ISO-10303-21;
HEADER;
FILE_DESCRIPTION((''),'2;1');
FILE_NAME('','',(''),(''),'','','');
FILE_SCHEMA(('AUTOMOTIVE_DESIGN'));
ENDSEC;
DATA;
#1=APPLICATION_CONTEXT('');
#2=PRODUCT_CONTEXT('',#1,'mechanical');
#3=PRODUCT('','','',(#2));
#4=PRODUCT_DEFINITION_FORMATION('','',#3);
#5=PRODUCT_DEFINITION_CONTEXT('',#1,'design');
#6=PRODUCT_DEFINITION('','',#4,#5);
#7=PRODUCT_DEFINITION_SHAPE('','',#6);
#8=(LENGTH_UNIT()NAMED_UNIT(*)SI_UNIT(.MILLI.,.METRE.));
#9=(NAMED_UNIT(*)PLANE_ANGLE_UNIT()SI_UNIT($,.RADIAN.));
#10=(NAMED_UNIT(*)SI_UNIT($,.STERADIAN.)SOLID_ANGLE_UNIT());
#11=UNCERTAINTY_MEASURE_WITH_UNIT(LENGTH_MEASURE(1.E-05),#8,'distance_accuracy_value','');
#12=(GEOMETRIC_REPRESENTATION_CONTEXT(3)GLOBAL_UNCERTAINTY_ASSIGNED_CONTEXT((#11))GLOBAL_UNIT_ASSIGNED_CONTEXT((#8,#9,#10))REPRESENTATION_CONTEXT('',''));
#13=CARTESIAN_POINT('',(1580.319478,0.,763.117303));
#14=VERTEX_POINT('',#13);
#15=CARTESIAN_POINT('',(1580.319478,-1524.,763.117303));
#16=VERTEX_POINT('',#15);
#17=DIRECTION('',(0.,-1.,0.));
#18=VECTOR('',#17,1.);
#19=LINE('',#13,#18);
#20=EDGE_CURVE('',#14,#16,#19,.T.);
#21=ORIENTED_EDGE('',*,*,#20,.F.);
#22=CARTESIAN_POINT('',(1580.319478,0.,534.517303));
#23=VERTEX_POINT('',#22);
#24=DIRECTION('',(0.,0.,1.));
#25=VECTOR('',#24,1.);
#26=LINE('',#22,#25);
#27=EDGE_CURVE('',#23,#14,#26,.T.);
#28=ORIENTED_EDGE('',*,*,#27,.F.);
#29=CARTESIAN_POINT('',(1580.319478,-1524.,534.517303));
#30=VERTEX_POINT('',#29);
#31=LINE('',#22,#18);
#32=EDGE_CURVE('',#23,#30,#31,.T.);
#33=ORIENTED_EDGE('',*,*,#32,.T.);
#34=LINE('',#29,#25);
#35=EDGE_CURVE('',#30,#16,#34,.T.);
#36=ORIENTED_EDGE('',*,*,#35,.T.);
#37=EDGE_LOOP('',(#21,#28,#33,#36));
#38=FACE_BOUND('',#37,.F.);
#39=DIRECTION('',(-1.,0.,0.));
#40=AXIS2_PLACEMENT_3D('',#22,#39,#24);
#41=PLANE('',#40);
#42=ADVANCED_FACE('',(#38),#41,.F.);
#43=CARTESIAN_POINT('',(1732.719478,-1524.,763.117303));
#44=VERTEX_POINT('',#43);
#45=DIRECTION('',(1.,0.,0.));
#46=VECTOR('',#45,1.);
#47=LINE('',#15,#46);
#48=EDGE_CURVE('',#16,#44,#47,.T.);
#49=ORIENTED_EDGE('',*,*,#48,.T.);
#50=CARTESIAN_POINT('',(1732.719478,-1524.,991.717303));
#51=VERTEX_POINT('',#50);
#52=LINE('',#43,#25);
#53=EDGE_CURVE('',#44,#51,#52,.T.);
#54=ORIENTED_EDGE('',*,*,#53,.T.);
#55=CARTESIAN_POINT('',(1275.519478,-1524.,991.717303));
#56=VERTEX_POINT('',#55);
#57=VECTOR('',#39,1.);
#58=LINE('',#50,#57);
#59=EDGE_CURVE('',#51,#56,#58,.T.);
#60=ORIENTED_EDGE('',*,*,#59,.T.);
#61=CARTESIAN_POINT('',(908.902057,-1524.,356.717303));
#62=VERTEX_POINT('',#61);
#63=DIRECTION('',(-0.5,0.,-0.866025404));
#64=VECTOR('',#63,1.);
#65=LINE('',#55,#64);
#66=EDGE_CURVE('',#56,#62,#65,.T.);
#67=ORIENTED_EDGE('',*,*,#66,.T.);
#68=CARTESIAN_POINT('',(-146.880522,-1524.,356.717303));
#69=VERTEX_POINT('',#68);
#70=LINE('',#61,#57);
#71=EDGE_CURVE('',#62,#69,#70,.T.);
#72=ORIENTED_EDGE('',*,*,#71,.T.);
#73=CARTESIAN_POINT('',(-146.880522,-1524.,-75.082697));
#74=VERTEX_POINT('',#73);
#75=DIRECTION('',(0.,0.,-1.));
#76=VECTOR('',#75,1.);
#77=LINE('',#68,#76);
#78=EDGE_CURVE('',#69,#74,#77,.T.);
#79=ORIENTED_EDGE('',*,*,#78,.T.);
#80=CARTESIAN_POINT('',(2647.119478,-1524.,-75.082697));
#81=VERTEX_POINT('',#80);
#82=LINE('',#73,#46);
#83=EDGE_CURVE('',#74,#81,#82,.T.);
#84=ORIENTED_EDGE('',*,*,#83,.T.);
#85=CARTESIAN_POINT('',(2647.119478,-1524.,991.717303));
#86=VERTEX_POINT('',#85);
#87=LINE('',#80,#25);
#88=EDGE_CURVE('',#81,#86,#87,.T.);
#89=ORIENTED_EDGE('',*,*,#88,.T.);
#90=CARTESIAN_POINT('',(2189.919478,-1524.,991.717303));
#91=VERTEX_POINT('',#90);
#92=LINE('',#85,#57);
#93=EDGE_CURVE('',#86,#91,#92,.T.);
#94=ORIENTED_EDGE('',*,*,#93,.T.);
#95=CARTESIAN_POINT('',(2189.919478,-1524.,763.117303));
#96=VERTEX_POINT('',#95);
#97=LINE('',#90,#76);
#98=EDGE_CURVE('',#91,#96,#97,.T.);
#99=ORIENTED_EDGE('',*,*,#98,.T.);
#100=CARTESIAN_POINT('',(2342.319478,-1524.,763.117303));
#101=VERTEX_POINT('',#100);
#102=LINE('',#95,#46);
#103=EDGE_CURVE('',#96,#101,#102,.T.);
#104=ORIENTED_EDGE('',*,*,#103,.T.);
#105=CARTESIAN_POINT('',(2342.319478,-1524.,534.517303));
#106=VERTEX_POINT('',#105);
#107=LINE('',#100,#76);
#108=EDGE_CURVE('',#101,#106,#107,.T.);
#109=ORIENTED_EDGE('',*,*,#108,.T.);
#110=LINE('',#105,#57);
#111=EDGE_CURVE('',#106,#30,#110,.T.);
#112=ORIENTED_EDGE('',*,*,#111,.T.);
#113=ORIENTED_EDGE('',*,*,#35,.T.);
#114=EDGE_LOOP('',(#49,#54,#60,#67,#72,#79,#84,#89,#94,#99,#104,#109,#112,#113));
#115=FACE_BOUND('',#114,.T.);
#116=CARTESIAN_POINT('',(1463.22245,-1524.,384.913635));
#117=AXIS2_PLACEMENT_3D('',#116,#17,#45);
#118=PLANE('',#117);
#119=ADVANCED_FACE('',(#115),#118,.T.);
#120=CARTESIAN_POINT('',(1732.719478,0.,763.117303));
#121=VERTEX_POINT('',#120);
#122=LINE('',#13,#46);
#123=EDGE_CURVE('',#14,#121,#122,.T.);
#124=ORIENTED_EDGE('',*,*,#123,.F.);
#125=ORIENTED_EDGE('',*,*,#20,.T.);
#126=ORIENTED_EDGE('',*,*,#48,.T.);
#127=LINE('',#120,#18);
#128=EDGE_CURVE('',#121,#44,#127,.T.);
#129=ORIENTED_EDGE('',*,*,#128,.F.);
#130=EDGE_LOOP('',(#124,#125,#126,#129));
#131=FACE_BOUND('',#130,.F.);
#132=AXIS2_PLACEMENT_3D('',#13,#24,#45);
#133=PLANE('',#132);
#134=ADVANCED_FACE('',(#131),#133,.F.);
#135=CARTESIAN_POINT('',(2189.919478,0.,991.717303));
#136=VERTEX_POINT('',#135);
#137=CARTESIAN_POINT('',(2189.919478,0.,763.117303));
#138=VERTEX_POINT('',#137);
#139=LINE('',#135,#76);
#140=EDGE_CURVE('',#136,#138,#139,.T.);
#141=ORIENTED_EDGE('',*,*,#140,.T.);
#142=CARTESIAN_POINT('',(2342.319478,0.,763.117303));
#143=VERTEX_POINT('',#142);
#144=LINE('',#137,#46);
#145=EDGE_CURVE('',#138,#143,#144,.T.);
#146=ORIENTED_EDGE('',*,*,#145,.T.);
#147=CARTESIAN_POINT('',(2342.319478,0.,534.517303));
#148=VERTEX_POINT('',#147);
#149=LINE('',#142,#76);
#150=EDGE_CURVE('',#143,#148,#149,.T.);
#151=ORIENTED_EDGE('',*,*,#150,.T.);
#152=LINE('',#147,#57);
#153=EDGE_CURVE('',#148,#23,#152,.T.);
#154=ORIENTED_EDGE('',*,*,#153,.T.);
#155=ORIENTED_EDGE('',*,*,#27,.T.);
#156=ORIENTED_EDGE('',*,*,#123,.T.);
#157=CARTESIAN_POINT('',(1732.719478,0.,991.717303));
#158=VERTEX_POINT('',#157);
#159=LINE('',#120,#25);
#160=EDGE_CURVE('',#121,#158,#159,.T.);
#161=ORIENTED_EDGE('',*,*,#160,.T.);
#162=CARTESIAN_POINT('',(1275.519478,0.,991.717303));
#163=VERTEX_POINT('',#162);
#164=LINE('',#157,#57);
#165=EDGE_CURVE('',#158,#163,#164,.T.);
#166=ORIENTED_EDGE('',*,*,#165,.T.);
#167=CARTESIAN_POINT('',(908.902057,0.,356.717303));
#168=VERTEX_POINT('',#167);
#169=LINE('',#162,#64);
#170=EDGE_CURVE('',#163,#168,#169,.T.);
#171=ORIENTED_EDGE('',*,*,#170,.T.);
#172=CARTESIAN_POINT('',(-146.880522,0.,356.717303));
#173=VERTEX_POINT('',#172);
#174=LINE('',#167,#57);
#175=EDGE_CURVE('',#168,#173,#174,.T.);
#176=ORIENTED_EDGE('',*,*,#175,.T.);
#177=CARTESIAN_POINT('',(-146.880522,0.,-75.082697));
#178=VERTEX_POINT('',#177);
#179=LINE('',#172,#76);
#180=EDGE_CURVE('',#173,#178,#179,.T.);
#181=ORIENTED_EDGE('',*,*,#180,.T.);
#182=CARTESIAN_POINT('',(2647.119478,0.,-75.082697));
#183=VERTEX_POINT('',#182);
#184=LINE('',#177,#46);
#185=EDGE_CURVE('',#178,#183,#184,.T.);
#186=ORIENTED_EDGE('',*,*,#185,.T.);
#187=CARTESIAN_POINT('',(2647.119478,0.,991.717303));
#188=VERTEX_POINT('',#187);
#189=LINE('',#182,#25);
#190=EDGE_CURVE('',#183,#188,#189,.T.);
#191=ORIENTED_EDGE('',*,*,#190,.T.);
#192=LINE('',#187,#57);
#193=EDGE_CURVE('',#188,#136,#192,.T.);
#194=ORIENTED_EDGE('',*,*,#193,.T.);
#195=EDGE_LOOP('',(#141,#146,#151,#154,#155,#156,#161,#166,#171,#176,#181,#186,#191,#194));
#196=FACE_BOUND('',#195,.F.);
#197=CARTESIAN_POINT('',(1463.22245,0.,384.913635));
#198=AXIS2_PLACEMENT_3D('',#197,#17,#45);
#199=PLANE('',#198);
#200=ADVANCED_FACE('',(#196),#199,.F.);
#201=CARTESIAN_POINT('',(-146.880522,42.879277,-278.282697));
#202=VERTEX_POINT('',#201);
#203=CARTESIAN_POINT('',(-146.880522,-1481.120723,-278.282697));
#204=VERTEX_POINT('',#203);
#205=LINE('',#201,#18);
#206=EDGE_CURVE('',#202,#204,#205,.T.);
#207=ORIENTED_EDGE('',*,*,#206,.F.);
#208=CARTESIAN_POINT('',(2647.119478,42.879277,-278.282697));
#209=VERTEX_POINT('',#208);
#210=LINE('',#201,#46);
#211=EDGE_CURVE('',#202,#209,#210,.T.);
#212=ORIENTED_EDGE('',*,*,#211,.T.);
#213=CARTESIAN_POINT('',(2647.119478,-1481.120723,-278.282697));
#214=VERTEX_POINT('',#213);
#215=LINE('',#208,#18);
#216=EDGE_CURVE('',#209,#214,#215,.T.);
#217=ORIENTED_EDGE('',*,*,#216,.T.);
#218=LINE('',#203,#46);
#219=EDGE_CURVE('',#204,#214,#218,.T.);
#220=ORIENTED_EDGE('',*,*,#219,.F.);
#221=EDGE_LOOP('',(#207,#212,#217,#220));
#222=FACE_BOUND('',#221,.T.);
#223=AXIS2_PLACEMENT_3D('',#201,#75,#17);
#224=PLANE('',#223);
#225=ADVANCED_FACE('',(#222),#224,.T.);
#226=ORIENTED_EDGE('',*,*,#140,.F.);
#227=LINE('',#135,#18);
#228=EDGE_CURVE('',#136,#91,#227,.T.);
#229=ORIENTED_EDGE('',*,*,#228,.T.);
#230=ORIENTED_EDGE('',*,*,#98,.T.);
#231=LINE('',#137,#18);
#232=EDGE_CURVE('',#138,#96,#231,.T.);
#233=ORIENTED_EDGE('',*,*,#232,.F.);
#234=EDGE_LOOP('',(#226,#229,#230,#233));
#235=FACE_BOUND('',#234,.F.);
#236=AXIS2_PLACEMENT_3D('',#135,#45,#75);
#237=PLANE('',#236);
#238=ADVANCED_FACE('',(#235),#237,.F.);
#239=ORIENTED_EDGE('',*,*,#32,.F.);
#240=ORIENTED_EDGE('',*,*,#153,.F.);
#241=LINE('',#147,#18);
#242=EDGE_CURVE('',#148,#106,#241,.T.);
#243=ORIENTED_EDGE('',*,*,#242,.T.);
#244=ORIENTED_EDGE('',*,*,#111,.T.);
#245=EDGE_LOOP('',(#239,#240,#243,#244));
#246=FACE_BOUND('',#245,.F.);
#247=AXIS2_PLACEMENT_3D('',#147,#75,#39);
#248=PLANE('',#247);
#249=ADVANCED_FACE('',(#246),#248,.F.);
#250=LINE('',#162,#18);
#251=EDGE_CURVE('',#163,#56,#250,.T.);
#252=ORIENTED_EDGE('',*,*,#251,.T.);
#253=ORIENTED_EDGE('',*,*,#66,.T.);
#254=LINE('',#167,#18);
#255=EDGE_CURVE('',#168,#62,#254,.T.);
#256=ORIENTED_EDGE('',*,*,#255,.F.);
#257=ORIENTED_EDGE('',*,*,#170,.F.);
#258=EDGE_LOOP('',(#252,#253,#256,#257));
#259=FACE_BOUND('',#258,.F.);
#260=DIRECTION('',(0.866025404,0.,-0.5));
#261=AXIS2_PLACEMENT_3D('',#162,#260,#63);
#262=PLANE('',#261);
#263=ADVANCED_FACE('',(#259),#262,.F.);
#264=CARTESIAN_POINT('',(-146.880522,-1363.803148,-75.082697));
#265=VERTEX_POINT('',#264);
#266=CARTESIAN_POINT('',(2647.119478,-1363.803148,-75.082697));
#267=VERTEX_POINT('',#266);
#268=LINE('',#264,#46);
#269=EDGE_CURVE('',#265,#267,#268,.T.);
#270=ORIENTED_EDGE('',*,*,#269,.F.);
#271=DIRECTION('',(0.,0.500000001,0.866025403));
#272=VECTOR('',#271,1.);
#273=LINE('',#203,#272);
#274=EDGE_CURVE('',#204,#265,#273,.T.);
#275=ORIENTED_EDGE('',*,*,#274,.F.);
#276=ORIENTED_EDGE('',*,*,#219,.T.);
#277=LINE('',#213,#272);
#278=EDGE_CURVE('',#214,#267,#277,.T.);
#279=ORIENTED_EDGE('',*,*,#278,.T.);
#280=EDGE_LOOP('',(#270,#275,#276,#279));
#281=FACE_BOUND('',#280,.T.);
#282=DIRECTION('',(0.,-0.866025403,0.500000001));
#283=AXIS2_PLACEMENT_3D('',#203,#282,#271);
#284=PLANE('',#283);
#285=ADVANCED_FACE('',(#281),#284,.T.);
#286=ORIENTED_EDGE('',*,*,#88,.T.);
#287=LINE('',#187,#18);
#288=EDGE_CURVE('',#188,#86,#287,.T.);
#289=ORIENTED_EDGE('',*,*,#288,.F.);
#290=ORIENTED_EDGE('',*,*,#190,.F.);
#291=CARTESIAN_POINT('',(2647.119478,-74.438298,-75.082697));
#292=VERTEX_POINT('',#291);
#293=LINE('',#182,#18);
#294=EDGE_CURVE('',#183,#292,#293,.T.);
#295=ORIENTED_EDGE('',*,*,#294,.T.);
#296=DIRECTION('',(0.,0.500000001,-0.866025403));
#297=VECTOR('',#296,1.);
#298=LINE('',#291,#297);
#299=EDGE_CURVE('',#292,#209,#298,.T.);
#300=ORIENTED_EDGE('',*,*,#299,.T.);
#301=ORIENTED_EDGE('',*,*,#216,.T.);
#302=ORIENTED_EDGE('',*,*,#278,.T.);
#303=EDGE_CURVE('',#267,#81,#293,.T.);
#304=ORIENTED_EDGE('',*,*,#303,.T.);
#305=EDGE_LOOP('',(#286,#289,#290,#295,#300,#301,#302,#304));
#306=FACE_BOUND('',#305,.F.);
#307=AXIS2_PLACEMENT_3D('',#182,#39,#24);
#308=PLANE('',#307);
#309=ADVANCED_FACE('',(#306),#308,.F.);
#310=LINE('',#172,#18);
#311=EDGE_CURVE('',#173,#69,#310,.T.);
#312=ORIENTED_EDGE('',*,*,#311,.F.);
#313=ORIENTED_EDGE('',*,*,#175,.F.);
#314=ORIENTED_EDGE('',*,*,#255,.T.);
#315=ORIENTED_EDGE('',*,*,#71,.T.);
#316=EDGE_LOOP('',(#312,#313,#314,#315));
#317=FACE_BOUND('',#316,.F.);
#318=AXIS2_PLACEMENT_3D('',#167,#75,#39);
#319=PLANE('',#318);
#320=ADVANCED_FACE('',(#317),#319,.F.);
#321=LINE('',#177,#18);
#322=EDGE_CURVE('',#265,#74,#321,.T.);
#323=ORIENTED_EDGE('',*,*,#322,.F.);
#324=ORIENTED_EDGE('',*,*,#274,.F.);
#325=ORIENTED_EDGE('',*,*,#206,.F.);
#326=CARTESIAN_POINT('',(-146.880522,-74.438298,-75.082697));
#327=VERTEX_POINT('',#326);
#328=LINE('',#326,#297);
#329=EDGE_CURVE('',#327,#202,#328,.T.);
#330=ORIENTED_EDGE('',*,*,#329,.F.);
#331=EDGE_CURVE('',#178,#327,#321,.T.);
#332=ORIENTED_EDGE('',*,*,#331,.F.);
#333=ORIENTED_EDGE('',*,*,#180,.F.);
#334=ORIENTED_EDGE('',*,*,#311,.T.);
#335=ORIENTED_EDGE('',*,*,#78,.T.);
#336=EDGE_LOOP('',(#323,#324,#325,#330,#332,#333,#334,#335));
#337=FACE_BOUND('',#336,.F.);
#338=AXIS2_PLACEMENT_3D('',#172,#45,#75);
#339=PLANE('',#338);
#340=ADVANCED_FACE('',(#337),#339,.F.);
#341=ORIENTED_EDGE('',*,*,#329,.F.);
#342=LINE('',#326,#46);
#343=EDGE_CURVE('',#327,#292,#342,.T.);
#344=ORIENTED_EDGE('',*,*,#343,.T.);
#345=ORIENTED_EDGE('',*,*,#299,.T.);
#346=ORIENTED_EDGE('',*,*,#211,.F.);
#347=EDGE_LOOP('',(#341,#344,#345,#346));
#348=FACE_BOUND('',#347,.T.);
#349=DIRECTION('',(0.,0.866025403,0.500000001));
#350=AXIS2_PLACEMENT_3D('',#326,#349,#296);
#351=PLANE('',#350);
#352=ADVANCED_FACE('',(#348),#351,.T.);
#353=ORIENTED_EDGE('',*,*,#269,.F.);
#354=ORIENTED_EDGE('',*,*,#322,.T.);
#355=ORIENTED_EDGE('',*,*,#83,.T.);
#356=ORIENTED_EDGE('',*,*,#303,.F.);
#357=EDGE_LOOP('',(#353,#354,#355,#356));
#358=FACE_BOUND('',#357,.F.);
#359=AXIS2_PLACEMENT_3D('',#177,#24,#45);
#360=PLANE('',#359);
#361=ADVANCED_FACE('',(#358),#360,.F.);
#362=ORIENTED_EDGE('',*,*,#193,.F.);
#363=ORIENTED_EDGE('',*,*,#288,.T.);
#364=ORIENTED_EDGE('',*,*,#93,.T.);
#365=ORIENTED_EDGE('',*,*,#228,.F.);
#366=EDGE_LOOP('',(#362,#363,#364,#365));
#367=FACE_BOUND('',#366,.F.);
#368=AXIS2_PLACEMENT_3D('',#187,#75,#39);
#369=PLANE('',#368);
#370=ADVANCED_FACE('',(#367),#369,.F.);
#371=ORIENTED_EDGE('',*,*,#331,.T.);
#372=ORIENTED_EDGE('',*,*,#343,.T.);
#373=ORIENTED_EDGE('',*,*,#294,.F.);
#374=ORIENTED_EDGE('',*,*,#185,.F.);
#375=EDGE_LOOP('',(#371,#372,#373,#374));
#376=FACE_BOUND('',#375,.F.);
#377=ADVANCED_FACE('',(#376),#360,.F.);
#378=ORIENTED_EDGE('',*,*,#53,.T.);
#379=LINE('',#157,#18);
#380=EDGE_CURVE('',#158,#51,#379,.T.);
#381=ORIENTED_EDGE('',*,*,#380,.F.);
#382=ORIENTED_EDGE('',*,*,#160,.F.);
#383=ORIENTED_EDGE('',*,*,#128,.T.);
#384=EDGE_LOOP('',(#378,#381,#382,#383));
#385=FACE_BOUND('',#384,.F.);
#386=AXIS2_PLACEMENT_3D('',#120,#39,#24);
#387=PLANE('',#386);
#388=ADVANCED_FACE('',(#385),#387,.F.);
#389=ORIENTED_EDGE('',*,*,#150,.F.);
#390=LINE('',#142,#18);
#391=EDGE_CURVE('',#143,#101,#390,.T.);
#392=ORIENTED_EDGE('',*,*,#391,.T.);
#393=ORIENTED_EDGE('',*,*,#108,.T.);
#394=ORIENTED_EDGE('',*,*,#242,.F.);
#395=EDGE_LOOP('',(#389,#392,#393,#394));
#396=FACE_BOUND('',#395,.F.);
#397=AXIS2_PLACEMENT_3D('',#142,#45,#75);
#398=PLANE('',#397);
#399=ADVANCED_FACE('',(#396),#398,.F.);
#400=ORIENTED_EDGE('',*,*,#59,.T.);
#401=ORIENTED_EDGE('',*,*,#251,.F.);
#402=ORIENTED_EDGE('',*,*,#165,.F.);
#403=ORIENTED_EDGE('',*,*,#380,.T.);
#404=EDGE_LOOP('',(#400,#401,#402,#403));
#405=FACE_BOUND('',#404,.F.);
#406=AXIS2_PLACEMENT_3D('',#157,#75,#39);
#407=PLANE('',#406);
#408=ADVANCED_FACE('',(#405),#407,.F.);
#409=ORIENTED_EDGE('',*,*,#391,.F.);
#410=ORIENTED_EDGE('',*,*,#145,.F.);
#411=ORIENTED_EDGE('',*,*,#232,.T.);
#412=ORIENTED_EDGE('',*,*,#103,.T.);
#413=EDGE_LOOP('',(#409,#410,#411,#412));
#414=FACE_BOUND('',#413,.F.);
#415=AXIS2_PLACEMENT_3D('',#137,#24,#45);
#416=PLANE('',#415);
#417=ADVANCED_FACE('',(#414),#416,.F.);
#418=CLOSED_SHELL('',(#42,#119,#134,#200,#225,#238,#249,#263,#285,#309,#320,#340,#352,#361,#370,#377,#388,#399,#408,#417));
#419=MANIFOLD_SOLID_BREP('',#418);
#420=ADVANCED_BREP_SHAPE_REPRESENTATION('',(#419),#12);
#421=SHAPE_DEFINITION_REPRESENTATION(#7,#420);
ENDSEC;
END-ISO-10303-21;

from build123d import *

# Parameters (mm, degrees)
F1_DEPTH = 1524
F3_DEPTH = 2794


with BuildPart() as f1:
    # F0 (on Front) → F1 (new body)
    with BuildSketch(Plane.XZ):
        Polygon((-146.880522, 356.717303), (-146.880522, -75.082697), (2647.119478, -75.082697), (2647.119478, 991.717303), (2189.919478, 991.717303), (2189.919478, 763.117303), (2342.319478, 763.117303), (2342.319478, 534.517303), (1580.319478, 534.517303), (1580.319478, 763.117303), (1732.719478, 763.117303), (1732.719478, 991.717303), (1275.519478, 991.717303), (908.902057, 356.717303), align=None)
    extrude(amount=F1_DEPTH)

    # F2 (on face) → F3 (join)
    with BuildSketch(Plane(origin=(-146.880522, 0, 0), x_dir=(0, -1, 0), z_dir=(-1, 0, 0))):
        Polygon((-42.879277, -278.282697), (1481.120723, -278.282697), (1363.803148, -75.082697), (74.438298, -75.082697), align=None)
    extrude(amount=-F3_DEPTH)


solid = f1.part
